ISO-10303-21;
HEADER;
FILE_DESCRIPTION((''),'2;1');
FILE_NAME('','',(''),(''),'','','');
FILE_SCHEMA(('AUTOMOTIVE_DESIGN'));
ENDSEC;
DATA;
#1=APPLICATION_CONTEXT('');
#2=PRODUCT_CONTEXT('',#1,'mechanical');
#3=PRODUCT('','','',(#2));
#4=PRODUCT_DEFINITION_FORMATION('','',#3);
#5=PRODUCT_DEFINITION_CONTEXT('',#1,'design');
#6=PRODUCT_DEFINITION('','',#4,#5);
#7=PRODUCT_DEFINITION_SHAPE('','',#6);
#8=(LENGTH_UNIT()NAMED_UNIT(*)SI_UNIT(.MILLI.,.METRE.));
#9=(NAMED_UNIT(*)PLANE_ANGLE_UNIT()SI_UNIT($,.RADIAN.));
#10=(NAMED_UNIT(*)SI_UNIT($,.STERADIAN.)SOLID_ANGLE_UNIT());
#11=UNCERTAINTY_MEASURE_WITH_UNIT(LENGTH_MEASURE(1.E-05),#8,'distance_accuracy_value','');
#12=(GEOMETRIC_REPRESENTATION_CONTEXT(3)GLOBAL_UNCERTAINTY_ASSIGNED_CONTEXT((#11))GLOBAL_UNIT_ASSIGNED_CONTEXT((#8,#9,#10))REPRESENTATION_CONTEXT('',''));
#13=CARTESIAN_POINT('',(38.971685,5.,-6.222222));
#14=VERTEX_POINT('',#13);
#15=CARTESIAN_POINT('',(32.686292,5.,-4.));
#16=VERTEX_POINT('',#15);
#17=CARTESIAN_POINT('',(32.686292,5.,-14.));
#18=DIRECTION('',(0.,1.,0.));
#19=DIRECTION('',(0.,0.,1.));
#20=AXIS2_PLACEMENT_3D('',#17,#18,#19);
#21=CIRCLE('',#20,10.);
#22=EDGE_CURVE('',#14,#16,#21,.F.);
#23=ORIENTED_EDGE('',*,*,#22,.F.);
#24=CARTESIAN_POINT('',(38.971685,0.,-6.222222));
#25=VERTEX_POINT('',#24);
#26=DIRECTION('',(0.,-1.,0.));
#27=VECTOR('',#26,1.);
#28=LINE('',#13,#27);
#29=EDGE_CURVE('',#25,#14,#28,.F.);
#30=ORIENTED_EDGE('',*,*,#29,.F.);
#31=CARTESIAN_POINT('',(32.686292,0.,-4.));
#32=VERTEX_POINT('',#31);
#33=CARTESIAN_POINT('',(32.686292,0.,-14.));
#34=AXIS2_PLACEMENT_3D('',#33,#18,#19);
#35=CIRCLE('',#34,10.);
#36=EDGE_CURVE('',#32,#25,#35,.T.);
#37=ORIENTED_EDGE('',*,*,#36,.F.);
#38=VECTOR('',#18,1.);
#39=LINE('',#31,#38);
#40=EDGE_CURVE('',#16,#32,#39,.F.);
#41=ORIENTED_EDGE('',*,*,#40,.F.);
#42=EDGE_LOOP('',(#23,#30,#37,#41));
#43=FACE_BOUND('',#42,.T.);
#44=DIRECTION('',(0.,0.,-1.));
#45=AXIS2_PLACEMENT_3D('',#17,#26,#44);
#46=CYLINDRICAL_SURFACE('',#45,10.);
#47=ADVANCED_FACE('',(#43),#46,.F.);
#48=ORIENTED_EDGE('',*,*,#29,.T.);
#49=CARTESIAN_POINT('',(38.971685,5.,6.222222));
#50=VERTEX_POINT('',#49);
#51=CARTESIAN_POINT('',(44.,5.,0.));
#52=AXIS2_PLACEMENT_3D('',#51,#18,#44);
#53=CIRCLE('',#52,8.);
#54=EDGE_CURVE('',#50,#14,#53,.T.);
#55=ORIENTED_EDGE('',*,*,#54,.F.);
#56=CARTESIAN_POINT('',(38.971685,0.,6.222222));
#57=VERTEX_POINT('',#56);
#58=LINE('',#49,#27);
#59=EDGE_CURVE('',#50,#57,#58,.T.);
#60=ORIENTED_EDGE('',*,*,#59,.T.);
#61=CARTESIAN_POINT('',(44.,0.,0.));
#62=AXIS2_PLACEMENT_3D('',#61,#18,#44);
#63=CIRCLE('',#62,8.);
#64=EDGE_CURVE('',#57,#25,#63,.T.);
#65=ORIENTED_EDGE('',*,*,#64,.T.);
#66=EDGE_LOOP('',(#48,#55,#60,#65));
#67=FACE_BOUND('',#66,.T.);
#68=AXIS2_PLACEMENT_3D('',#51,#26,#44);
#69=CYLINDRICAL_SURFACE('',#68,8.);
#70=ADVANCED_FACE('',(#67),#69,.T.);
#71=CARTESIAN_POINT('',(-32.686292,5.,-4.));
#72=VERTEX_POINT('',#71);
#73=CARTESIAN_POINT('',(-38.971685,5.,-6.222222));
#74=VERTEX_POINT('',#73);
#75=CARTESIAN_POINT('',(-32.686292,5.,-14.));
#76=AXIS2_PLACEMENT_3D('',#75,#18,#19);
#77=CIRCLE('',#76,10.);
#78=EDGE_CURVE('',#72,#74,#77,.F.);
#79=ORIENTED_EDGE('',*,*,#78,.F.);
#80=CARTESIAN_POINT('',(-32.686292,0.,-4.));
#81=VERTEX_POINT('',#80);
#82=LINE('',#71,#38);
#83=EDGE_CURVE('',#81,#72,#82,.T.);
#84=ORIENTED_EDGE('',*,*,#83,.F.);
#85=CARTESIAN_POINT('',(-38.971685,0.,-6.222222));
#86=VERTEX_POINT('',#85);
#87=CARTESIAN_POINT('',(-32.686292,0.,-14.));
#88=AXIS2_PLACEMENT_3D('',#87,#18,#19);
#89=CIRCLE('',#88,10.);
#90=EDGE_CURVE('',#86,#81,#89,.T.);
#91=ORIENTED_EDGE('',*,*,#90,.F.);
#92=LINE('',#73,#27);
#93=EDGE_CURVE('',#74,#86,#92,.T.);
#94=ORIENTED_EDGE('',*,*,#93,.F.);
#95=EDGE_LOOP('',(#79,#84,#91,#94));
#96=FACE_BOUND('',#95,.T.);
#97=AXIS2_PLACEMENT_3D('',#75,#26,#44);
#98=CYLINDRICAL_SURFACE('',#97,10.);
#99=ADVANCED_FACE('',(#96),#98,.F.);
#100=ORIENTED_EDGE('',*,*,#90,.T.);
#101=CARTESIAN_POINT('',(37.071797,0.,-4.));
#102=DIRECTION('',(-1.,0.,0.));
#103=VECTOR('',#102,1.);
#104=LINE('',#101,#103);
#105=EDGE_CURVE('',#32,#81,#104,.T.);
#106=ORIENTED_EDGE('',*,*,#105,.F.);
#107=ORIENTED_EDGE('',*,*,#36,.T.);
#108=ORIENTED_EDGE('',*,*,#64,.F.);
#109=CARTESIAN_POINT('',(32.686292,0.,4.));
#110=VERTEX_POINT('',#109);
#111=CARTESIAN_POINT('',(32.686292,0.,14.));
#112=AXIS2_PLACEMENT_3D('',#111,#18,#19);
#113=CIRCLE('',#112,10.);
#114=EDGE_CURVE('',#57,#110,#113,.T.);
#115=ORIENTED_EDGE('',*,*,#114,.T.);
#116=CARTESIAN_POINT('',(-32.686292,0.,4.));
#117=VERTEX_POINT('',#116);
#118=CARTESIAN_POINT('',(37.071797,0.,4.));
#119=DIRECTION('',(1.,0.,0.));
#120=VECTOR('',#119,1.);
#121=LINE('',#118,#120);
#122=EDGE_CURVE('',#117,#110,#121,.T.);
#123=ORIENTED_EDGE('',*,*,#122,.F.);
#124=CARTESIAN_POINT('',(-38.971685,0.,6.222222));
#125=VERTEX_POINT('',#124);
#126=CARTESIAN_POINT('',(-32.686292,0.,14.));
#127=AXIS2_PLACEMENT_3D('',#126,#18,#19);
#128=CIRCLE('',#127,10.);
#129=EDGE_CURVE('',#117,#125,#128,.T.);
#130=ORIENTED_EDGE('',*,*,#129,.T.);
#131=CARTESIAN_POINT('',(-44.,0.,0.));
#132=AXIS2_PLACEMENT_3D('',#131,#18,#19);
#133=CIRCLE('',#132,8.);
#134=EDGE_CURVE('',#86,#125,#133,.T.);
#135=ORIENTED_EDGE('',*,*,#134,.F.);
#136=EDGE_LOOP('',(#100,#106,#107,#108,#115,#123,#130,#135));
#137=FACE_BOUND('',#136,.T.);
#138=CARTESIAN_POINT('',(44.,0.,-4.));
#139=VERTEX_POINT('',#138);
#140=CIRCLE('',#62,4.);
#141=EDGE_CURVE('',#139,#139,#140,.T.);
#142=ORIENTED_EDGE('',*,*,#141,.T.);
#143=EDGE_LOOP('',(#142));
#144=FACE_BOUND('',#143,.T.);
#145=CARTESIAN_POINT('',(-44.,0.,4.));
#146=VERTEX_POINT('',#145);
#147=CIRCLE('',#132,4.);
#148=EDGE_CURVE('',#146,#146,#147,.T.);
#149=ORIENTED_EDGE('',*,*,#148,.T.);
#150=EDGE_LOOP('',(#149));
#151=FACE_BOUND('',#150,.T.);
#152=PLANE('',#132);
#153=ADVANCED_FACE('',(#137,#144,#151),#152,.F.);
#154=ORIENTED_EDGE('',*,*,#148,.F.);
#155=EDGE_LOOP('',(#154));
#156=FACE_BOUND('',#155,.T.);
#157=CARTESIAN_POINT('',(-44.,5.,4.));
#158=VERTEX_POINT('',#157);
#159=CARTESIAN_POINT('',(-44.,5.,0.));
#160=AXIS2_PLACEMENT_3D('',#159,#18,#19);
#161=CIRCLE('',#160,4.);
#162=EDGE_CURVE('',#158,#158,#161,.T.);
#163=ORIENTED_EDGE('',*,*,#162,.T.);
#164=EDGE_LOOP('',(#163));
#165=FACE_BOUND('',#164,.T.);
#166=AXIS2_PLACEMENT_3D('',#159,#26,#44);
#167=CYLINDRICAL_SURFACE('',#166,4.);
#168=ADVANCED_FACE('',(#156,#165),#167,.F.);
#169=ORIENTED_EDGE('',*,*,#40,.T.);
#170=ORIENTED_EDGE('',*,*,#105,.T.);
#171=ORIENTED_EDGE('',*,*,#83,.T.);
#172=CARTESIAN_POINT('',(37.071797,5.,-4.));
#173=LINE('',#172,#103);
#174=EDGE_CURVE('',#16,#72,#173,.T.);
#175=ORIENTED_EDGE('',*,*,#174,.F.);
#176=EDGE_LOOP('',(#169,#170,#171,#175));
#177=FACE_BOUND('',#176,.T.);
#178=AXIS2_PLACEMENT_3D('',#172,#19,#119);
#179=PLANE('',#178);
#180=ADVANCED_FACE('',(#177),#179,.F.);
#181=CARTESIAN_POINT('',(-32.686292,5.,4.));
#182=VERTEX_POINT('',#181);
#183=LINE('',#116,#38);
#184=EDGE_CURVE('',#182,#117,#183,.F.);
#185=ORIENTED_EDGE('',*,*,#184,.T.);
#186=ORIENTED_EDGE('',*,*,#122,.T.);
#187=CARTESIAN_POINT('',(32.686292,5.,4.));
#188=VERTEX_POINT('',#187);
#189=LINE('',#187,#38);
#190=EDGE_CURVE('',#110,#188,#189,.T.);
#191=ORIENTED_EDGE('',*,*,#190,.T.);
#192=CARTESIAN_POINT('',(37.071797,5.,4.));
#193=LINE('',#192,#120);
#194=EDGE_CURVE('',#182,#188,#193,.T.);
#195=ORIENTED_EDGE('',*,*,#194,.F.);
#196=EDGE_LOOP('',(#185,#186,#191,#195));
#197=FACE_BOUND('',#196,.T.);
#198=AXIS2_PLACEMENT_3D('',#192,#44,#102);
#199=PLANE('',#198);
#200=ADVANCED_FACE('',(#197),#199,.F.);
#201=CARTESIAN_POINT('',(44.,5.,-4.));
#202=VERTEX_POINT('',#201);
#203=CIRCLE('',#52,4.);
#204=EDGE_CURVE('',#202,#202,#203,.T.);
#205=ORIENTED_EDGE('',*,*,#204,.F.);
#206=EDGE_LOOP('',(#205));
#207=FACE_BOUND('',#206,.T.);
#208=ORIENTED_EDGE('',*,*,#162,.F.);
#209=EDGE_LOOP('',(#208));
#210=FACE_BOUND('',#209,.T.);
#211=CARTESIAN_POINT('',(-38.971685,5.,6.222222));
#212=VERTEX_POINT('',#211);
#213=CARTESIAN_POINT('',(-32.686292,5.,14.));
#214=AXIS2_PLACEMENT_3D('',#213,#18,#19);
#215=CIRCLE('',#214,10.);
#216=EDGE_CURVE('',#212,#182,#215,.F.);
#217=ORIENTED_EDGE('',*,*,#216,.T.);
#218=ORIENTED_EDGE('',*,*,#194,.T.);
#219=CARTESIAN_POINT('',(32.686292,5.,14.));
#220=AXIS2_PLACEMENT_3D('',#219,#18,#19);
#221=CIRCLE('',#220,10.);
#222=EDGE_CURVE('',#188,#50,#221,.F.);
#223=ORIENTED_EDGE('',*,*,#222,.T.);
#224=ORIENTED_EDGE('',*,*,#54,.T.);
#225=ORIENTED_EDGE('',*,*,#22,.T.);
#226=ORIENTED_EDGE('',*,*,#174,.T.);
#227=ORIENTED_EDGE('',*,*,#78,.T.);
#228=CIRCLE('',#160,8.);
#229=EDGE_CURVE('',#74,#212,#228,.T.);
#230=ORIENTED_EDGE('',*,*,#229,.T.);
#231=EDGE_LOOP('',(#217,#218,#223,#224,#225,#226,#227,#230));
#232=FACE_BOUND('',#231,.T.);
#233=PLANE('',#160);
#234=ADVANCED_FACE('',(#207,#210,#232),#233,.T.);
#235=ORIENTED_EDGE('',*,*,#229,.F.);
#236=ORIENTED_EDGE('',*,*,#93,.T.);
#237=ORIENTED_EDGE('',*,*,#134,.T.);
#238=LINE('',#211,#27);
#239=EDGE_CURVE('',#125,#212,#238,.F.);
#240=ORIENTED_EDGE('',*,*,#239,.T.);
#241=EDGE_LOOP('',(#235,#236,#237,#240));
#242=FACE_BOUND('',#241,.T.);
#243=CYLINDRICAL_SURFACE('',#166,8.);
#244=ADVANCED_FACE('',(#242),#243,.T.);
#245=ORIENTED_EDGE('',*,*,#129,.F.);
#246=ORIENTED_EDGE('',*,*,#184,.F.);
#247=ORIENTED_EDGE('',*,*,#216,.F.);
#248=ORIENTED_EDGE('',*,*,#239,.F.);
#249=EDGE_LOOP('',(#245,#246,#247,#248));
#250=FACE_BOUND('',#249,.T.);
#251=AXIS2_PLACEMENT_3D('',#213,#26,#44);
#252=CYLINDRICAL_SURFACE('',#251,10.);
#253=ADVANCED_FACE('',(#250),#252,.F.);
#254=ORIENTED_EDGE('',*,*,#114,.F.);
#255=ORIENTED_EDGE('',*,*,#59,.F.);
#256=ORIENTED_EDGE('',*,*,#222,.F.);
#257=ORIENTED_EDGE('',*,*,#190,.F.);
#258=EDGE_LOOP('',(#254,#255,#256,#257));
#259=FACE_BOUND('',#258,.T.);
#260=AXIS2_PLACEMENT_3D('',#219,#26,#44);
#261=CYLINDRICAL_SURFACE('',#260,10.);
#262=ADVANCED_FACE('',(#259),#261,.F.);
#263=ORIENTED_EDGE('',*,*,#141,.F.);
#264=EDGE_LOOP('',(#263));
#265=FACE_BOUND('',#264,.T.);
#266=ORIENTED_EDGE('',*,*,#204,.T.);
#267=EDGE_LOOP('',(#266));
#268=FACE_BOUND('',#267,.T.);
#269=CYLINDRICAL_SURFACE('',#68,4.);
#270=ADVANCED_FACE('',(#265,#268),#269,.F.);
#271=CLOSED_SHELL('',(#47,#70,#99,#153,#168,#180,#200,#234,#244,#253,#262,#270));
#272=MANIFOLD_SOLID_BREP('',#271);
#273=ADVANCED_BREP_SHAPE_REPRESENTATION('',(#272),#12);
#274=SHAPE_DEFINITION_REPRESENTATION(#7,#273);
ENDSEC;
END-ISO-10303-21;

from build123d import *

# Parameters (mm, degrees)
SKETCH1_R           = 4
BOSS_EXTRUDE1_DEPTH = 5
FILLET1_R           = 10


with BuildPart() as part:
    # Sketch1 → Boss-Extrude1 (new body)
    with BuildSketch(Plane(origin=(0, 0, 0), x_dir=(1, 0, 0), z_dir=(0, 1, 0))):
        with BuildLine():
            Line((37.07179677, -4), (-37.07179677, -4))
            ThreePointArc((-37.07179677, -4), (-52, 0), (-37.07179677, 4))
            Line((-37.07179677, 4), (37.07179677, 4))
            ThreePointArc((37.07179677, 4), (52, 0), (37.07179677, -4))
        make_face()
        with Locations(Location((-44, 0, 0), (0, 0, 270))):
            Circle(SKETCH1_R, mode=Mode.SUBTRACT)
        with Locations(Location((44, 0, 0), (0, 0, 90))):
            Circle(SKETCH1_R, mode=Mode.SUBTRACT)
    extrude(amount=BOSS_EXTRUDE1_DEPTH)

    # Fillet1
    fillet1_edges = [part.edges().sort_by_distance(p)[0] for p in [
        (-37.07179677, 2.5, -4),
        (37.07179677, 2.5, -4),
        (37.07179677, 2.5, 4),
        (-37.07179677, 2.5, 4),
    ]]
    fillet(fillet1_edges, radius=FILLET1_R)


solid = part.part
